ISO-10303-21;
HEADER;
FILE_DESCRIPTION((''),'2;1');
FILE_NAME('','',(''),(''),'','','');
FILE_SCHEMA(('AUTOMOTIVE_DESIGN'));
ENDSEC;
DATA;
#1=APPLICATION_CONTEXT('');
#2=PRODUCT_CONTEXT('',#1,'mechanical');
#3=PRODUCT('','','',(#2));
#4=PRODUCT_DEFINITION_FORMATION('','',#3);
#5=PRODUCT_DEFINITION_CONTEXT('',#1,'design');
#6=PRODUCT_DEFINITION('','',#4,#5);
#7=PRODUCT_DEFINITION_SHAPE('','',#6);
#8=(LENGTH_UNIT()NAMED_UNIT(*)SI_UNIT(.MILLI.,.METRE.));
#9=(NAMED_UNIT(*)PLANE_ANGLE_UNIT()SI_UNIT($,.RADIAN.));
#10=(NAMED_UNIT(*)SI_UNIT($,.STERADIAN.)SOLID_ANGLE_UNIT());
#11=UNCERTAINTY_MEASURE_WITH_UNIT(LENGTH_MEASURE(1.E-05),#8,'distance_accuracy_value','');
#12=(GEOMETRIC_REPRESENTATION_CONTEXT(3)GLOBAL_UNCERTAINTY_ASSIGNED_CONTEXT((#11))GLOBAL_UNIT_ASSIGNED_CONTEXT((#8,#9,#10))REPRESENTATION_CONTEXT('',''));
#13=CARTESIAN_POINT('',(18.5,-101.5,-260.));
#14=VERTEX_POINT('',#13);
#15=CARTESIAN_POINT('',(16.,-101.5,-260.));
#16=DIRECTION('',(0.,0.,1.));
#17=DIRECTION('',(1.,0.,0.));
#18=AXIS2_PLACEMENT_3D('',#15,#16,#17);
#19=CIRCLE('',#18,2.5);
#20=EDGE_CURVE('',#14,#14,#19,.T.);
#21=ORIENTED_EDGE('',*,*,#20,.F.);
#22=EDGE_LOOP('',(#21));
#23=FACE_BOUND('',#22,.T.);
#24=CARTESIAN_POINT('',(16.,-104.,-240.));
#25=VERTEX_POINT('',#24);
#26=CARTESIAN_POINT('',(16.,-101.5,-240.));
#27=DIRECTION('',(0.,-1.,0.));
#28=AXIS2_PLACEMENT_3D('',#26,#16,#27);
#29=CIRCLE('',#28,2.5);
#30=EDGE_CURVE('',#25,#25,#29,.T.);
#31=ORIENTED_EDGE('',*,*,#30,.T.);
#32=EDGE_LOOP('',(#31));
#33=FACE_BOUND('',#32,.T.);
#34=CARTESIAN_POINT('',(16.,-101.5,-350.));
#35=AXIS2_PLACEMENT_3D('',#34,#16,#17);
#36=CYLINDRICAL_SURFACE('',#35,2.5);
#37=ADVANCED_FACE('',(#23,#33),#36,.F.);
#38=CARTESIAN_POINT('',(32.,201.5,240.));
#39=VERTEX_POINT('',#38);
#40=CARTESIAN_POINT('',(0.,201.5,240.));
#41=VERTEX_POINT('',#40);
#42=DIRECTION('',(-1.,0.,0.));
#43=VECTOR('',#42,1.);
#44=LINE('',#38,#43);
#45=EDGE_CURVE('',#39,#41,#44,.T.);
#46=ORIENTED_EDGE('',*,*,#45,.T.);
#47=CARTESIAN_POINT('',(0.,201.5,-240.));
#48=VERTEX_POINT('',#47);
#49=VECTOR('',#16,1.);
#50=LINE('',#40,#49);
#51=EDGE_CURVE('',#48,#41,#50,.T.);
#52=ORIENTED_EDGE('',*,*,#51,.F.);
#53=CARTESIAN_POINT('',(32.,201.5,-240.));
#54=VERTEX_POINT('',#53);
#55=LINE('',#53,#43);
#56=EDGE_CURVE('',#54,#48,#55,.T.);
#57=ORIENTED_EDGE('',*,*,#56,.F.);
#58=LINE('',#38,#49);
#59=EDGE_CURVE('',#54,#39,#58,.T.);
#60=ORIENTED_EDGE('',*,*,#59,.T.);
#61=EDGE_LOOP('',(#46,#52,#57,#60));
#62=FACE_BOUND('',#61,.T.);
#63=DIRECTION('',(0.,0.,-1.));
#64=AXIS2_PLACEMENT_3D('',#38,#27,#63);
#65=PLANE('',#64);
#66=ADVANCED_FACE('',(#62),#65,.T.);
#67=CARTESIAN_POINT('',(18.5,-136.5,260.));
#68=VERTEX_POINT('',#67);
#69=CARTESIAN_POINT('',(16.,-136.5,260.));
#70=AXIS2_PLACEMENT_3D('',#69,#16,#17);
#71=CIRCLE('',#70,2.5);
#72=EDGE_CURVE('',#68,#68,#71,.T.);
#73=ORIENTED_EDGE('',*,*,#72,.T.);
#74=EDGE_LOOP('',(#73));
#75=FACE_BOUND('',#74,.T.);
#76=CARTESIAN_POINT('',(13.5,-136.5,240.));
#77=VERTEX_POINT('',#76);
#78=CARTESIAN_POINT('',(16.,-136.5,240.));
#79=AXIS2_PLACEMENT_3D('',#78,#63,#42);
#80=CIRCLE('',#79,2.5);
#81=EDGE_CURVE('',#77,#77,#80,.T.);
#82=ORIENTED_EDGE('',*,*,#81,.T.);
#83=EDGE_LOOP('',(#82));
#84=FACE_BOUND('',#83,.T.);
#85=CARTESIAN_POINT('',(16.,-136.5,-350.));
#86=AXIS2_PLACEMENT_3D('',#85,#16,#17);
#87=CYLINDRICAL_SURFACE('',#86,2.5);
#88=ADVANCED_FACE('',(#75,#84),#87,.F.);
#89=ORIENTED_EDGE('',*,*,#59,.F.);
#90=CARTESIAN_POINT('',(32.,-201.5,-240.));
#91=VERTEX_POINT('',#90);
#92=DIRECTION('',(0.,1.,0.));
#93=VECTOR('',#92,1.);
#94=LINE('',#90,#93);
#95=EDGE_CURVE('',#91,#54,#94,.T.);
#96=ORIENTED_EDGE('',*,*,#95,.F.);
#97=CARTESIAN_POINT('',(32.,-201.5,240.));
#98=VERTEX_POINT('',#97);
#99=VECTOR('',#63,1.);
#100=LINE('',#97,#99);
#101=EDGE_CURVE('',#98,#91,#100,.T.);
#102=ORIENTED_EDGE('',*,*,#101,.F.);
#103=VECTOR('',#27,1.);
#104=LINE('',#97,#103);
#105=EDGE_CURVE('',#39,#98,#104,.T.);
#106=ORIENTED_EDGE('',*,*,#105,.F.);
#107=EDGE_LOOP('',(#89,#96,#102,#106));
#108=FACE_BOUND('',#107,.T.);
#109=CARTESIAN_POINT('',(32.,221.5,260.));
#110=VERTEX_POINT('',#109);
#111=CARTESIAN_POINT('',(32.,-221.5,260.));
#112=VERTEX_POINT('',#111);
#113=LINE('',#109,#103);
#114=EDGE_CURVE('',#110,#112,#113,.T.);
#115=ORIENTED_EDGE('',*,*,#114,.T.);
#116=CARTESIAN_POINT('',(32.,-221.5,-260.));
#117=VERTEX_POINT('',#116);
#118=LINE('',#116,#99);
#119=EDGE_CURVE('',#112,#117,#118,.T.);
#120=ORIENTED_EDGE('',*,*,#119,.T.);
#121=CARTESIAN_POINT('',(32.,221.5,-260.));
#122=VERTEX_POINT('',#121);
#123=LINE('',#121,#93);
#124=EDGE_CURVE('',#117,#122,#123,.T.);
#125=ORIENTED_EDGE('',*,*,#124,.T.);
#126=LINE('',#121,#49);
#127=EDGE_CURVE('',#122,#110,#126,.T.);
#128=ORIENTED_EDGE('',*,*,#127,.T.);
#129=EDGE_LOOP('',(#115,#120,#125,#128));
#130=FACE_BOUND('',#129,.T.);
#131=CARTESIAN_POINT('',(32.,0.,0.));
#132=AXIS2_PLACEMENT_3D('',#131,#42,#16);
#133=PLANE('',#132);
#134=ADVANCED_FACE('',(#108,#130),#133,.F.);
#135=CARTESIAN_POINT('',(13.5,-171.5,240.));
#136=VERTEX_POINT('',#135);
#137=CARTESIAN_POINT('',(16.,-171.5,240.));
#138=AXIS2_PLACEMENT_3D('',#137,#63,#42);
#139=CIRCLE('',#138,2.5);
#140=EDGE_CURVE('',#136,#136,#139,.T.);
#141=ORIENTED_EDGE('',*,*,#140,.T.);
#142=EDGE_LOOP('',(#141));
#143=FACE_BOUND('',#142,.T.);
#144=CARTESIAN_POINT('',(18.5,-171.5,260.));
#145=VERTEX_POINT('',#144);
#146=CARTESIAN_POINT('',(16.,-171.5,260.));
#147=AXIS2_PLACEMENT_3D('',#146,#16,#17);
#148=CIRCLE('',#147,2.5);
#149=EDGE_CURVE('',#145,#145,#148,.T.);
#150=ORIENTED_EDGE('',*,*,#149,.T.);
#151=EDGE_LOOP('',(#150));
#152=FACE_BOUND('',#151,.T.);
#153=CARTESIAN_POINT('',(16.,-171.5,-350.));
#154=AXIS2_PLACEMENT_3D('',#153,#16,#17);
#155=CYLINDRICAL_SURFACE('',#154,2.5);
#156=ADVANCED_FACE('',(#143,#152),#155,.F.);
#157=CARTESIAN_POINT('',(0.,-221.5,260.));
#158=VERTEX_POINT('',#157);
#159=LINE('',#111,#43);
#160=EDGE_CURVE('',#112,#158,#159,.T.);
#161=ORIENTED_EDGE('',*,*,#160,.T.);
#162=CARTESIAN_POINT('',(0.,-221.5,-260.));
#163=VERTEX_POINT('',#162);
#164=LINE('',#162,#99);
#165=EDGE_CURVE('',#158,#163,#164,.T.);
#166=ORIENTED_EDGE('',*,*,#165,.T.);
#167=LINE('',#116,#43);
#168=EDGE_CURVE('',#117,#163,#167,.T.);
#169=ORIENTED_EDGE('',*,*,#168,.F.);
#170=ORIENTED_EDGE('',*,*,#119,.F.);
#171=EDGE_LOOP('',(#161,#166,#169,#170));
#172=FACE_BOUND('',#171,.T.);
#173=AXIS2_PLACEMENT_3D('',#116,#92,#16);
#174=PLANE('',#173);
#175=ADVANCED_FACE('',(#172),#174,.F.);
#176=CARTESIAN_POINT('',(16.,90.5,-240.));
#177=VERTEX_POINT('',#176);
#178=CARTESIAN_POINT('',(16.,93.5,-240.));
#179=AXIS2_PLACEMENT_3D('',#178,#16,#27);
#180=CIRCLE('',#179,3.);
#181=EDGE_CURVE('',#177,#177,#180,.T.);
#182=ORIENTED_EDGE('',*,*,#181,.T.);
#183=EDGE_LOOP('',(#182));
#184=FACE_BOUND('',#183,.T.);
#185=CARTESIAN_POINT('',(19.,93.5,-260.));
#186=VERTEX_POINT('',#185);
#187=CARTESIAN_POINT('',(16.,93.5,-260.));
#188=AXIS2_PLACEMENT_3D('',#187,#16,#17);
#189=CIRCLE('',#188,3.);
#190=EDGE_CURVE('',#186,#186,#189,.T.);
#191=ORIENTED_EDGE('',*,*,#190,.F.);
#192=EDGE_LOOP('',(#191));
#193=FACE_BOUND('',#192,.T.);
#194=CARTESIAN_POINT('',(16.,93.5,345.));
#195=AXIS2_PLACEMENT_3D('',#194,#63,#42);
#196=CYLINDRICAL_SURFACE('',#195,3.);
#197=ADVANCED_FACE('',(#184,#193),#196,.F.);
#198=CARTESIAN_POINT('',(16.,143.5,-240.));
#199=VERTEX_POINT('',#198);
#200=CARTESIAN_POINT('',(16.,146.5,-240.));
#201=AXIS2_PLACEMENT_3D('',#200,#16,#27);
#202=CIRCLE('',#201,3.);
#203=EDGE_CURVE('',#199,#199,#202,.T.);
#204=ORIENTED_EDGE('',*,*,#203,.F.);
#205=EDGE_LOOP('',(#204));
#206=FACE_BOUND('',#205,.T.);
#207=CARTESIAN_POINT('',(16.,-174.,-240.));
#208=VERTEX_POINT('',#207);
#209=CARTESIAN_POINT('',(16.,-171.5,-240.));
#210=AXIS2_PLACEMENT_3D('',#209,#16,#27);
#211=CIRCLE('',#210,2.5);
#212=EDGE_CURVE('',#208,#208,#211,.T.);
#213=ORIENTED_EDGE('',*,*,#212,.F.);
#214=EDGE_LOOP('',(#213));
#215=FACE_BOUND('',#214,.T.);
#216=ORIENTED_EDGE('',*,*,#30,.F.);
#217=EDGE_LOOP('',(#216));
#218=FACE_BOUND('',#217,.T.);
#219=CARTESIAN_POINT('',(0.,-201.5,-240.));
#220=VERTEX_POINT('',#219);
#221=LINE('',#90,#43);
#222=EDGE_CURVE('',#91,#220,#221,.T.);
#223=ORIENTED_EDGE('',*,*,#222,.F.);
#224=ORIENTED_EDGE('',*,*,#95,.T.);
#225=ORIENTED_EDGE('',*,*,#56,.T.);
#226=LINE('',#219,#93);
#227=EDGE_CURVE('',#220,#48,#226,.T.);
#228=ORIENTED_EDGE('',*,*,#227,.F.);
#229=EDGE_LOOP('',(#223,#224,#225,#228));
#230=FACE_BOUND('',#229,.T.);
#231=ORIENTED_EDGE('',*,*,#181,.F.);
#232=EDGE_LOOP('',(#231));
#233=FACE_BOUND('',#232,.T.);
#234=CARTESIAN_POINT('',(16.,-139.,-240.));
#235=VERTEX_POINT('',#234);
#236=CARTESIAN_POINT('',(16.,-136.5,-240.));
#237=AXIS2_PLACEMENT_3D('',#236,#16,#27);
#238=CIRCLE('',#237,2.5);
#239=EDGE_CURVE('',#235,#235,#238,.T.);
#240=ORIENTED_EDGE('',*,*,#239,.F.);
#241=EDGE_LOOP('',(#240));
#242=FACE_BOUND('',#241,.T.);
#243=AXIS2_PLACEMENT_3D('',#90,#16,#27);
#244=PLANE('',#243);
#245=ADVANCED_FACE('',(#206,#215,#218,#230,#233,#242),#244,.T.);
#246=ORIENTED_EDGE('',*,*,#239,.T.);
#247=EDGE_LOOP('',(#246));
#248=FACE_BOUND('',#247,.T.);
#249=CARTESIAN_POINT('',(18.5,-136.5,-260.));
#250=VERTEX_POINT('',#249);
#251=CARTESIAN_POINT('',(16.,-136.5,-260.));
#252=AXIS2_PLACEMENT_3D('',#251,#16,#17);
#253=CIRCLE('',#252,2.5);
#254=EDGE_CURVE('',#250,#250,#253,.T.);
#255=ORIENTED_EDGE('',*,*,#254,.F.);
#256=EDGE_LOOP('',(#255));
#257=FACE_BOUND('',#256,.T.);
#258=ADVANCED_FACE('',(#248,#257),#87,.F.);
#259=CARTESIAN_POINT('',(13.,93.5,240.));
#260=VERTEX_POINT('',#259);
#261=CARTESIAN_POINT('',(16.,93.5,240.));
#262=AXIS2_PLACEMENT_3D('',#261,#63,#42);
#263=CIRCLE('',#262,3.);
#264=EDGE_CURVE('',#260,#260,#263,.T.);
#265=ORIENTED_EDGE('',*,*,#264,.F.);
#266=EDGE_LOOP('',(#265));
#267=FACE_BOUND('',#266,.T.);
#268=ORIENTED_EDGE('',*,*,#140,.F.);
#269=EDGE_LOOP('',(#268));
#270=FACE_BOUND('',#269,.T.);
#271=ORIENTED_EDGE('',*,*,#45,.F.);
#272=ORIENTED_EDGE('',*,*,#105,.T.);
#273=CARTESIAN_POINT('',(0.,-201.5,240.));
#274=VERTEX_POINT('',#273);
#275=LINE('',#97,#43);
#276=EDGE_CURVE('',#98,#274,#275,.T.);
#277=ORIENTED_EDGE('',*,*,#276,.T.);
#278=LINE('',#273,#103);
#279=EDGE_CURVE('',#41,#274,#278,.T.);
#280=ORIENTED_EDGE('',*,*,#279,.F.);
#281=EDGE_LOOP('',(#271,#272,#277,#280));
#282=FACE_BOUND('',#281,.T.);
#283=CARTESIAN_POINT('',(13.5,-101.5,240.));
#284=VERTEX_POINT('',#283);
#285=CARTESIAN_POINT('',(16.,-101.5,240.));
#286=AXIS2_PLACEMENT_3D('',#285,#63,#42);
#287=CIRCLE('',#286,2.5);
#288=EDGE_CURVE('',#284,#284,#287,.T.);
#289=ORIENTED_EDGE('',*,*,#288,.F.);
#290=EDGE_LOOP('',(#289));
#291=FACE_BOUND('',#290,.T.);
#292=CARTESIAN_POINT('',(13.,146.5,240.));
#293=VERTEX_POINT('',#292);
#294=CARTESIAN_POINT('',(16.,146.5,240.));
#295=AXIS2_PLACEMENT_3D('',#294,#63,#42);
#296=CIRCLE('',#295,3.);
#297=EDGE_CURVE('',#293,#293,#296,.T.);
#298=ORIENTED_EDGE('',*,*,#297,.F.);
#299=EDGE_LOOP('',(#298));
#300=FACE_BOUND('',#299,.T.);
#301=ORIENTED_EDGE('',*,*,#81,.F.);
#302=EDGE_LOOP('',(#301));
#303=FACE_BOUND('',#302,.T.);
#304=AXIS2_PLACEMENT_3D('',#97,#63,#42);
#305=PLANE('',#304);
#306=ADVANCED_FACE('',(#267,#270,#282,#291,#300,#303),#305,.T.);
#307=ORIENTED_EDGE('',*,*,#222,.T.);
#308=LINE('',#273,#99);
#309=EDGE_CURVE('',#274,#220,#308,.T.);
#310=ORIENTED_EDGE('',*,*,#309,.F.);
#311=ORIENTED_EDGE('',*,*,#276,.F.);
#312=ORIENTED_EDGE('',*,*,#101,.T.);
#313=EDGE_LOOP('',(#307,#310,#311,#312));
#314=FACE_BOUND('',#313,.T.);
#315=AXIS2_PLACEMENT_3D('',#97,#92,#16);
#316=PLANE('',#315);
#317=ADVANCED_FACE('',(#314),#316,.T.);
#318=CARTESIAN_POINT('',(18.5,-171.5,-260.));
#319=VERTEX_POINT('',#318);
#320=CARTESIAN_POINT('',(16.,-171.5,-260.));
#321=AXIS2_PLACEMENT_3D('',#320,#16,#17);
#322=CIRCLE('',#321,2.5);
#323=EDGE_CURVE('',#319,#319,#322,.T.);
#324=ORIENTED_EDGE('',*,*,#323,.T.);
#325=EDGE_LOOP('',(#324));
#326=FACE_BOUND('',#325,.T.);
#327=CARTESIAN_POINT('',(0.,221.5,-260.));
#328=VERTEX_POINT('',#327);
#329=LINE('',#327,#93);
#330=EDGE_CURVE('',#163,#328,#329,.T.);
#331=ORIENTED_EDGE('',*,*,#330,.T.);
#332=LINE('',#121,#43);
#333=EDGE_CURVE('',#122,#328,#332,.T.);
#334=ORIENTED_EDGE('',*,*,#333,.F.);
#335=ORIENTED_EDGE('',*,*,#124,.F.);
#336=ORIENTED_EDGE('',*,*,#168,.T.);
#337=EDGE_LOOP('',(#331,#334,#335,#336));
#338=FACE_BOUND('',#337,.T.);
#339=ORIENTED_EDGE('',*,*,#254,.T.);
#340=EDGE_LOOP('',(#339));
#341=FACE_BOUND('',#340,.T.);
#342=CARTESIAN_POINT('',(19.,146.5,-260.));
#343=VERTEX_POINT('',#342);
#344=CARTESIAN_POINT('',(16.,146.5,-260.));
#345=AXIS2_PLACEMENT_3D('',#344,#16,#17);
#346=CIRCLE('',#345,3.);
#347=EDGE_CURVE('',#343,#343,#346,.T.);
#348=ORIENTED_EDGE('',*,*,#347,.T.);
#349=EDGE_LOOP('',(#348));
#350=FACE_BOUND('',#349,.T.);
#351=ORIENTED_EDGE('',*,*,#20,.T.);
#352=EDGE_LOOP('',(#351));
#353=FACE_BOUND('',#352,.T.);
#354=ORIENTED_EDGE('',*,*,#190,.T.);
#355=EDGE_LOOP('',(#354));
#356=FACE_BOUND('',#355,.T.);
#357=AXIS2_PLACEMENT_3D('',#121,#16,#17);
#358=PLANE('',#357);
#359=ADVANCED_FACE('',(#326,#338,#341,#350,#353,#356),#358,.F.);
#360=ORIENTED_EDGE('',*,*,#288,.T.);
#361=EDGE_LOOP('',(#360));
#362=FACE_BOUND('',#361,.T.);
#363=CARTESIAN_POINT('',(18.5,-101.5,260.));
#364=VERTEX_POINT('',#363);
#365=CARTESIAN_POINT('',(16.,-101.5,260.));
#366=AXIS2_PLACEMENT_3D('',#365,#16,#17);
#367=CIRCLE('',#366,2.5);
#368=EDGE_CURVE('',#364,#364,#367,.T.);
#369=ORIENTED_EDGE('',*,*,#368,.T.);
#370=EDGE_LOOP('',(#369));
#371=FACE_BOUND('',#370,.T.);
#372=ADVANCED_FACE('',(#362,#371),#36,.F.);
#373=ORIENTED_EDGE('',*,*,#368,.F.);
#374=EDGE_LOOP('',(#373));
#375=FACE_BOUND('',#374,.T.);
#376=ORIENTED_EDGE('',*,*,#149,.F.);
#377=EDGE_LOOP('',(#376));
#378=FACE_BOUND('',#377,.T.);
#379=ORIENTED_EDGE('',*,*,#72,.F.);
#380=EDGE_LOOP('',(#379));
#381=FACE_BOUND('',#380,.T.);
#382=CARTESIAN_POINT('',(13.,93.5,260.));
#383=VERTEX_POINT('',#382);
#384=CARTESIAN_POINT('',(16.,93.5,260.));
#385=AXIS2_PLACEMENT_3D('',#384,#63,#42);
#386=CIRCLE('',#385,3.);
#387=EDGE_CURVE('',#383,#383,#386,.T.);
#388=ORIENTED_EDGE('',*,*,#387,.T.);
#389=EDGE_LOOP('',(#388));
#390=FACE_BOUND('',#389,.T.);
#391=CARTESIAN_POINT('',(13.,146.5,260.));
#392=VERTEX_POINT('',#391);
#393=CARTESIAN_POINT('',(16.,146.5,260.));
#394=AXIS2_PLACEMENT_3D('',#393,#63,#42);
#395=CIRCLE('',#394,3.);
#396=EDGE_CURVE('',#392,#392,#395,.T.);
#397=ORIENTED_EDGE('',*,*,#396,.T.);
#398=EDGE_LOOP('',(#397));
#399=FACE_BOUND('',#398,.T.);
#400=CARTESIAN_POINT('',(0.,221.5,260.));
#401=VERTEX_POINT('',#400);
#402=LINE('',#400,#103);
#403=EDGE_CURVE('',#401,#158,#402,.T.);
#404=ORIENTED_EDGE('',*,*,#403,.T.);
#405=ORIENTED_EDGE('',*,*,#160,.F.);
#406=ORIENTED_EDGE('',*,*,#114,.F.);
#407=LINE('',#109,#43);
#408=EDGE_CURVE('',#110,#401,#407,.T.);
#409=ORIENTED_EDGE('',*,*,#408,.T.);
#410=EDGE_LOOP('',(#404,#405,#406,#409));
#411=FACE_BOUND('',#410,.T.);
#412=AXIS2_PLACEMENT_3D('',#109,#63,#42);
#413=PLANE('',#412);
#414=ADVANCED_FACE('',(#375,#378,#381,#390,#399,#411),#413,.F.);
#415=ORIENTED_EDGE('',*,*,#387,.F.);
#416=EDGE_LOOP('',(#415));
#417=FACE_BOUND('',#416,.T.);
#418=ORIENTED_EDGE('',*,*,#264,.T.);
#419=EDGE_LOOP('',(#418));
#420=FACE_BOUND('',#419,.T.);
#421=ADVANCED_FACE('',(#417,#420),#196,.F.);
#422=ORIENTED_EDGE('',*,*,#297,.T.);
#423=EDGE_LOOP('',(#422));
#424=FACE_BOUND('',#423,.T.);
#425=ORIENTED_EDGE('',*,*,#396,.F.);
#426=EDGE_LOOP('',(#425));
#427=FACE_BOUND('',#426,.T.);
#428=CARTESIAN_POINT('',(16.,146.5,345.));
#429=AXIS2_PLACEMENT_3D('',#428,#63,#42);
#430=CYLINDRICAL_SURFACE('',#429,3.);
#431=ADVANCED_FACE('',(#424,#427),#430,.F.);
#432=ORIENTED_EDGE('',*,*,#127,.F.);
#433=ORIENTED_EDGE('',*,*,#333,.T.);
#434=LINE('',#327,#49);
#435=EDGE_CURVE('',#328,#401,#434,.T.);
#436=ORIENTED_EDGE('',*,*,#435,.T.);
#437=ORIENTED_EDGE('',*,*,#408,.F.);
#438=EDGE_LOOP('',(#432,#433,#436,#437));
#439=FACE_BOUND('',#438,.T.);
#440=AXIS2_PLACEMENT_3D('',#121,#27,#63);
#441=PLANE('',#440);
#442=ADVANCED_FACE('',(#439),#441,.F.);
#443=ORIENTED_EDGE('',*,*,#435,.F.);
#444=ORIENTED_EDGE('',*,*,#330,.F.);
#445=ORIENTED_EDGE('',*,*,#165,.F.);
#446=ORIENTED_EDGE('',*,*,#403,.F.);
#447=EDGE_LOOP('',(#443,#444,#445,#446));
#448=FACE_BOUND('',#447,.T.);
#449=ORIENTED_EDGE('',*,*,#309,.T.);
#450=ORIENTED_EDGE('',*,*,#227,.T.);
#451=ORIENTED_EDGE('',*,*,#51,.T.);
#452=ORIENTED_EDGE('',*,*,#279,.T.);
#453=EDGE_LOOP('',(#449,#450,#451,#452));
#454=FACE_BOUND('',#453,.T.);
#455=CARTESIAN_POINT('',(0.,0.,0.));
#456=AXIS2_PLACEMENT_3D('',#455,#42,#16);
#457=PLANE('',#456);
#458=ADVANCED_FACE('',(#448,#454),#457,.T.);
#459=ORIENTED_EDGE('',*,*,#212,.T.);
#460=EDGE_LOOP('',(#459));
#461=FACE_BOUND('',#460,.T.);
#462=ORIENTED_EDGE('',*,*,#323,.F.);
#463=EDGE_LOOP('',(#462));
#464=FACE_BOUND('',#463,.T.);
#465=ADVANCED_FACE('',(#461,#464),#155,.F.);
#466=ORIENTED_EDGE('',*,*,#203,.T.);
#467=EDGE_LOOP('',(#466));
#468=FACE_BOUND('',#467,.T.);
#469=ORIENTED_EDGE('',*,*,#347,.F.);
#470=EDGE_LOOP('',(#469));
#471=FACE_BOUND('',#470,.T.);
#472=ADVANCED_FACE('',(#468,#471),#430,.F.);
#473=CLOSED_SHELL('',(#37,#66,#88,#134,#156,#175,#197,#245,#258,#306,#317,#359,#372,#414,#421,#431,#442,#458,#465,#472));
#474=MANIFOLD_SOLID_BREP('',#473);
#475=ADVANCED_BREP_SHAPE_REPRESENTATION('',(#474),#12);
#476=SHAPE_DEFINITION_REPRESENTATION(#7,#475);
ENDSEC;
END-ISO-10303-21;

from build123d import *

# Parameters (mm, degrees)
SKETCH1_W               = 520
SKETCH1_H               = 443
SKETCH1_W_2             = 480
SKETCH1_H_2             = 403
BOSS_EXTRUDE2_DEPTH     = 32
SKETCH2_R               = 2.5
CUT_EXTRUDE1_DEPTH      = 610
SKETCH3_R               = 3
CUT_EXTRUDE2_DEPTH      = 641
CUT_EXTRUDE2_DEPTH_BACK = 105


with BuildPart() as part:
    # Sketch1 → Boss-Extrude2 (new body)
    with BuildSketch(Plane(origin=(0, 0, 0), x_dir=(0, 0, -1), z_dir=(1, 0, 0))):
        Rectangle(SKETCH1_W, SKETCH1_H)
        Rectangle(SKETCH1_W_2, SKETCH1_H_2, mode=Mode.SUBTRACT)
    extrude(amount=BOSS_EXTRUDE2_DEPTH)

    # Sketch2 → Cut-Extrude1 (cut)
    with BuildSketch(Plane.XY.offset(260)):
        with Locations((16, -171.5)):
            Circle(SKETCH2_R)
        with Locations((16, -136.5)):
            Circle(SKETCH2_R)
        with Locations((16, -101.5)):
            Circle(SKETCH2_R)
    extrude(amount=-CUT_EXTRUDE1_DEPTH, mode=Mode.SUBTRACT)

    # Sketch3 → Cut-Extrude2 (cut, two sides)
    with BuildSketch(Plane(origin=(0, 0, 240), x_dir=(-1, 0, 0), z_dir=(0, 0, -1))) as cut_extrude2_sk:
        with Locations((-16, 146.5)):
            Circle(SKETCH3_R)
        with Locations((-16, 93.5)):
            Circle(SKETCH3_R)
    extrude(amount=CUT_EXTRUDE2_DEPTH, mode=Mode.SUBTRACT)
    extrude(cut_extrude2_sk.sketch, amount=-CUT_EXTRUDE2_DEPTH_BACK, mode=Mode.SUBTRACT)


solid = part.part
